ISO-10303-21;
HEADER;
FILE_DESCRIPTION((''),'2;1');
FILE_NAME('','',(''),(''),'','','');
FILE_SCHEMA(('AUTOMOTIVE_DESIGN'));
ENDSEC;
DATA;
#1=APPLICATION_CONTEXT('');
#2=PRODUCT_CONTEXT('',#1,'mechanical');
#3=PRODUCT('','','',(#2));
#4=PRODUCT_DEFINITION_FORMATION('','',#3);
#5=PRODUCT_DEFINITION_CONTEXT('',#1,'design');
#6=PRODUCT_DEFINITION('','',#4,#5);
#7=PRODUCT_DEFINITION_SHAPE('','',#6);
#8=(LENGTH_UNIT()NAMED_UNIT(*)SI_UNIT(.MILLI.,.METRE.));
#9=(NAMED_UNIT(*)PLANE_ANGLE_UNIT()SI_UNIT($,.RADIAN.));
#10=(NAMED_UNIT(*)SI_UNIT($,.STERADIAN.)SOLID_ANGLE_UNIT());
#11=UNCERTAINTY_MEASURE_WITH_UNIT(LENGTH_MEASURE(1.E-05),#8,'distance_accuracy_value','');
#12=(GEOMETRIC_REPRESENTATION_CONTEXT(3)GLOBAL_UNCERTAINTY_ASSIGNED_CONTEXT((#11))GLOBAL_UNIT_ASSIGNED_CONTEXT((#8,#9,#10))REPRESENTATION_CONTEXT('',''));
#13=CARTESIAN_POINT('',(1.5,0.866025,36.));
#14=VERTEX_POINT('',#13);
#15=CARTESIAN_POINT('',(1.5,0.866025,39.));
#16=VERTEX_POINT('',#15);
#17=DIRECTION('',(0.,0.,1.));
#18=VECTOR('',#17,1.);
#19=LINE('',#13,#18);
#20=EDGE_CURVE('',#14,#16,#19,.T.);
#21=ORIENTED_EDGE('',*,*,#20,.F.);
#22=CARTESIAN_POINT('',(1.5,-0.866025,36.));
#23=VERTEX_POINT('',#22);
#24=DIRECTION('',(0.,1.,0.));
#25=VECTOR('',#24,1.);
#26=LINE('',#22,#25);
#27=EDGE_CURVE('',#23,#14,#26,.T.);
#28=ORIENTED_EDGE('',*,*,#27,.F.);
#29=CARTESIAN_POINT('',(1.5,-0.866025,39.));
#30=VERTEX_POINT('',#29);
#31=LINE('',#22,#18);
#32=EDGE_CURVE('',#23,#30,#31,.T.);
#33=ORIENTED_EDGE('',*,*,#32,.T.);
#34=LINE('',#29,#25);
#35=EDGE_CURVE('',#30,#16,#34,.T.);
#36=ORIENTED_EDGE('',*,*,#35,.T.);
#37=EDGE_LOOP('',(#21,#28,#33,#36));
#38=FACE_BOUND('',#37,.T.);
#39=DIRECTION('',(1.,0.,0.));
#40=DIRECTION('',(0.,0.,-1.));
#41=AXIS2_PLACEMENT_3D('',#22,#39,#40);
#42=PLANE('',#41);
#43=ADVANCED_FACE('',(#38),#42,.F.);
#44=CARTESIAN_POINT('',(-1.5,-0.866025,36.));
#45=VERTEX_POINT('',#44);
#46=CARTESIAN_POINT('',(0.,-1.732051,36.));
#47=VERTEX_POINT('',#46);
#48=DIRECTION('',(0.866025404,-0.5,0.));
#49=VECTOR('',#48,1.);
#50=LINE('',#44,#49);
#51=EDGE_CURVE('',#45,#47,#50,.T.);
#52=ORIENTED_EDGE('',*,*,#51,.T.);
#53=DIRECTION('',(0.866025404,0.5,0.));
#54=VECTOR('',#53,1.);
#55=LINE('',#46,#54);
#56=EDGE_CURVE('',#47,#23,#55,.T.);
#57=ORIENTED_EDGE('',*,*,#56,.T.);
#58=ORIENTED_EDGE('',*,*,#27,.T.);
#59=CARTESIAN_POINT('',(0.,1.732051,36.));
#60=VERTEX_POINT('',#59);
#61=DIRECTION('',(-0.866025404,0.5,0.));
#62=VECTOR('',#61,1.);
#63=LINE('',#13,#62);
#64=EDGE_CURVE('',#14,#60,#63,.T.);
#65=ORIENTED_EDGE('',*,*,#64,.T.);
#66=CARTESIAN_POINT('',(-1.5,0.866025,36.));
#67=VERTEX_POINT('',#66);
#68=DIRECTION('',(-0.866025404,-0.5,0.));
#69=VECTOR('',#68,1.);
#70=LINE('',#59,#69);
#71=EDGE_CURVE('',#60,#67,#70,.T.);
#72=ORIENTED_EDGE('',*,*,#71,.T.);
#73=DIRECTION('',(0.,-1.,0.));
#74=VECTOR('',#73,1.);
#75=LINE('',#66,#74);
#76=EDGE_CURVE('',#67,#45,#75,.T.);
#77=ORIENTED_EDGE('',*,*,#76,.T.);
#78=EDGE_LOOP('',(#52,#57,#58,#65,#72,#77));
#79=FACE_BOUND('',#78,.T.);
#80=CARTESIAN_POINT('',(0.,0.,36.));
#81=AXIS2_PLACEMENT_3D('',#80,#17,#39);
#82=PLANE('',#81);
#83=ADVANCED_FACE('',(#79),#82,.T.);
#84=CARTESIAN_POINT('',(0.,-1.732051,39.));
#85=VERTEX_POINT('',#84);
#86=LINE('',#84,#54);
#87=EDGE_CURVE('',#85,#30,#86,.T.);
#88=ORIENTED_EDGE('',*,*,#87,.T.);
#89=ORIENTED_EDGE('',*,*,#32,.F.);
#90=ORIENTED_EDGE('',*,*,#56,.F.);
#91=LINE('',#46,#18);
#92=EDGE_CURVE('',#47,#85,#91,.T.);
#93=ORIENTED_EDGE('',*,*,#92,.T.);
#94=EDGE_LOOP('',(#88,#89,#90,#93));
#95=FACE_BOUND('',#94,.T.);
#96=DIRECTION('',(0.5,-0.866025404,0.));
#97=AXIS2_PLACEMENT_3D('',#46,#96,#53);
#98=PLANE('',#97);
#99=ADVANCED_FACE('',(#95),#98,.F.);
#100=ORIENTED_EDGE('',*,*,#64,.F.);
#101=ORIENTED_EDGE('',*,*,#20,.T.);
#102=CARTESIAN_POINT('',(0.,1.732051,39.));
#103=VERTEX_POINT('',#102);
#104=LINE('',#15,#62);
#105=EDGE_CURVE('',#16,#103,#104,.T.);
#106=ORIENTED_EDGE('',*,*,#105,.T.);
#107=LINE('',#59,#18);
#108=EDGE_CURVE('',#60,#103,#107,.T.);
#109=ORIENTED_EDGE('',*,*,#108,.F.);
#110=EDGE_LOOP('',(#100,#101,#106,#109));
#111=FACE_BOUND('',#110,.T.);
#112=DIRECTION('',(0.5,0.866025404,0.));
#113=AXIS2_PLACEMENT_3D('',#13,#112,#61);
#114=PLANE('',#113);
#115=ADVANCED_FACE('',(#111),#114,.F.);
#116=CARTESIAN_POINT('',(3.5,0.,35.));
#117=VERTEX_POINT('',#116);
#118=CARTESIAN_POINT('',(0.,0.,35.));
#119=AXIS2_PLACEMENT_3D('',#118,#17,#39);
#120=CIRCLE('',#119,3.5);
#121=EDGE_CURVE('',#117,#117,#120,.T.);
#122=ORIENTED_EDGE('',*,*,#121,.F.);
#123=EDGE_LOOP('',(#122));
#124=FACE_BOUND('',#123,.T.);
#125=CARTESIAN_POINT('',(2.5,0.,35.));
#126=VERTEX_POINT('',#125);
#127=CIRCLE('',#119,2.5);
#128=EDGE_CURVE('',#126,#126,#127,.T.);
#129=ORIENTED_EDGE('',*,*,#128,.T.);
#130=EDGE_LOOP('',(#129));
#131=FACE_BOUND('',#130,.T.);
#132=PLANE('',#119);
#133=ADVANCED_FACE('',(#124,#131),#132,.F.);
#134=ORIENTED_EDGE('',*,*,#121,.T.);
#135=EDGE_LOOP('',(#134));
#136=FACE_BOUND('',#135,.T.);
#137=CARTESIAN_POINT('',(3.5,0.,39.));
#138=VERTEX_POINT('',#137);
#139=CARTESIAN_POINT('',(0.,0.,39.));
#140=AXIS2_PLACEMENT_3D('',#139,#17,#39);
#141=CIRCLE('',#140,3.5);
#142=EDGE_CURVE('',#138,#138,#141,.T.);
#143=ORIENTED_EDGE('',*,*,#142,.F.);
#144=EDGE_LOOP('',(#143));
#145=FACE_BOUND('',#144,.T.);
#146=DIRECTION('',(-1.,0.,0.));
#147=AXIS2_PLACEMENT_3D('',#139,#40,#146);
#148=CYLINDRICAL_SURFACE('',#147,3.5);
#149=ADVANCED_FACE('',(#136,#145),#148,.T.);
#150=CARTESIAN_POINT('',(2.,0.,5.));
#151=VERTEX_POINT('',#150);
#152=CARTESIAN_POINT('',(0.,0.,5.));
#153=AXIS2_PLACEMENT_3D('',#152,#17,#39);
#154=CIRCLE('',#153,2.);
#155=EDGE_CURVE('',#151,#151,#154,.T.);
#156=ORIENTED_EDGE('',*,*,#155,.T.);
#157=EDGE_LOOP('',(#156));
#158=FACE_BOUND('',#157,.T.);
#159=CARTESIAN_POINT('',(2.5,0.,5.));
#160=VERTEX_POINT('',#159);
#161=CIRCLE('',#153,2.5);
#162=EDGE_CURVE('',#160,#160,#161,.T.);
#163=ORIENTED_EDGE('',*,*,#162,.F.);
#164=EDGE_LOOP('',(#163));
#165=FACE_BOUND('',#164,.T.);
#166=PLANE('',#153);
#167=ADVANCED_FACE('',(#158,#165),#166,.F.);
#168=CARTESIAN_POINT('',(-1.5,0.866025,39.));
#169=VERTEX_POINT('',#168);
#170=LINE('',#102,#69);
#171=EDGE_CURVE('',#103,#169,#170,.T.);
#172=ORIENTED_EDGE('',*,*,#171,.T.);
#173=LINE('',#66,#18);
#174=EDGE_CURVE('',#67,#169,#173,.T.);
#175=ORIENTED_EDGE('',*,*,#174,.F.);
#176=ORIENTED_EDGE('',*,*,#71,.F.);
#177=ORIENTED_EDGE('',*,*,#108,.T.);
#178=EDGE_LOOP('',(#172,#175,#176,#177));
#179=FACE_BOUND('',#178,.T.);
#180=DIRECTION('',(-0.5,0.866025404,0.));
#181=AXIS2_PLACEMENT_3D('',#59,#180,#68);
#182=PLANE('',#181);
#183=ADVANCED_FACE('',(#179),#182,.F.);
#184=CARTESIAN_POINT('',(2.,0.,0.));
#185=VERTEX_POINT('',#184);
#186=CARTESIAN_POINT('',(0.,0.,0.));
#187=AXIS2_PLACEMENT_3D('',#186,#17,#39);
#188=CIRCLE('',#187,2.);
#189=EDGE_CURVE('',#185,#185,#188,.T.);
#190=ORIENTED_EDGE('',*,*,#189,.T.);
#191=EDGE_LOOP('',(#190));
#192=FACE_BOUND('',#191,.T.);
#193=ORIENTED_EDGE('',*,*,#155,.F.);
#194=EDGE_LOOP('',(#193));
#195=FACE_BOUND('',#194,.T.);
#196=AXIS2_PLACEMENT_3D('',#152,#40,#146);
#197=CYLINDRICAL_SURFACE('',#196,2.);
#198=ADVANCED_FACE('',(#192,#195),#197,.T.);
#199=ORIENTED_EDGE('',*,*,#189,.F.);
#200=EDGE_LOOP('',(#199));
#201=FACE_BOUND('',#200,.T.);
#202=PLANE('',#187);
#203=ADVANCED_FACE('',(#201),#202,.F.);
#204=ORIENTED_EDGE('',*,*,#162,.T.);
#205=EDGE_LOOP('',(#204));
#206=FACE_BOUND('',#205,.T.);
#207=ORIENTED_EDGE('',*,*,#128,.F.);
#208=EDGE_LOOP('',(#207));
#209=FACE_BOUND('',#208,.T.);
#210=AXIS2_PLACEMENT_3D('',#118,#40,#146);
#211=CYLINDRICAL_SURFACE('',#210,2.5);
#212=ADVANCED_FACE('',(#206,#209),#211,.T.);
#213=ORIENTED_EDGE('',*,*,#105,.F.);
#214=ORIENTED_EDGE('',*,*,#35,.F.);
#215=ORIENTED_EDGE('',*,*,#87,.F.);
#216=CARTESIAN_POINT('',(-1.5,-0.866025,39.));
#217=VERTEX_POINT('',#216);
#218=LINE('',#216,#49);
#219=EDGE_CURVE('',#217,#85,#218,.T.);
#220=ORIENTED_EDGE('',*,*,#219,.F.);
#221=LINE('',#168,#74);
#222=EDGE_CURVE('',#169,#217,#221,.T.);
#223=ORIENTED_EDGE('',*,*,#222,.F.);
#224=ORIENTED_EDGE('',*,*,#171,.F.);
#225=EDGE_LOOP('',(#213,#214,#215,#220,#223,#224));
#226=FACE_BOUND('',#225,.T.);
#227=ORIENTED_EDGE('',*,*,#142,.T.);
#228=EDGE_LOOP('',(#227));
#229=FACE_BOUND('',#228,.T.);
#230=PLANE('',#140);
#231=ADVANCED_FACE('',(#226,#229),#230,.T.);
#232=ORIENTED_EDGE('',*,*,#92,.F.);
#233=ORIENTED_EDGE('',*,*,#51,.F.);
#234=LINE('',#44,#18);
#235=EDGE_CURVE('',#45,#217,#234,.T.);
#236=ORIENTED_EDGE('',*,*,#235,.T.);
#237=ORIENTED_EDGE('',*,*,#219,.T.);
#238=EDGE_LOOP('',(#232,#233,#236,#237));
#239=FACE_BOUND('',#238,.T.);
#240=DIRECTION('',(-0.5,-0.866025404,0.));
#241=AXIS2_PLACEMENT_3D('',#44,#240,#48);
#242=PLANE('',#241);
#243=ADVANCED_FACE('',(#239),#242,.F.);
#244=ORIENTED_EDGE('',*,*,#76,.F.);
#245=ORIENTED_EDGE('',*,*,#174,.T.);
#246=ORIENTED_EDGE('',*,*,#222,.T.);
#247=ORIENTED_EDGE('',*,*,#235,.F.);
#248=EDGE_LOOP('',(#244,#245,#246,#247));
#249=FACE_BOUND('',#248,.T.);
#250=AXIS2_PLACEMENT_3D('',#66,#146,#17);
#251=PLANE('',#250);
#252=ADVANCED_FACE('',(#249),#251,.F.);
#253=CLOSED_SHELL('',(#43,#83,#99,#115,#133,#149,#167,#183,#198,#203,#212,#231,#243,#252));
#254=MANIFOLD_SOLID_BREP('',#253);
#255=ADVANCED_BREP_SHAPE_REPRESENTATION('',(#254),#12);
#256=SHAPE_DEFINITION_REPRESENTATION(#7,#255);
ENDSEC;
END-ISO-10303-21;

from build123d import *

# Parameters (mm, degrees)
SKETCH_1_R          = 2
EXTRUDE_1_DEPTH     = 5
SKETCH_2_R          = 2.5
EXTRUDE_2_DEPTH     = 30
SKETCH_3_R          = 3.5
EXTRUDE_3_DEPTH     = 4
CUT_EXTRUDE_1_DEPTH = 3


with BuildPart() as part:
    # Эскиз1 → Бобышка-Вытянуть1 (new body)
    with BuildSketch(Plane.XY):
        Circle(SKETCH_1_R)
    extrude(amount=EXTRUDE_1_DEPTH)

    # Эскиз2 → Бобышка-Вытянуть2 (add)
    with BuildSketch(Plane.XY.offset(5)):
        Circle(SKETCH_2_R)
    extrude(amount=EXTRUDE_2_DEPTH)

    # Эскиз3 → Бобышка-Вытянуть3 (add)
    with BuildSketch(Plane.XY.offset(35)):
        Circle(SKETCH_3_R)
    extrude(amount=EXTRUDE_3_DEPTH)

    # Эскиз4 → Вырез-Вытянуть1 (cut)
    with BuildSketch(Plane.XY.offset(39)):
        Polygon((1.5, 0.866025404), (0, 1.732050808), (-1.5, 0.866025404), (-1.5, -0.866025404), (0, -1.732050808), (1.5, -0.866025404), align=None)
    extrude(amount=-CUT_EXTRUDE_1_DEPTH, mode=Mode.SUBTRACT)


solid = part.part
